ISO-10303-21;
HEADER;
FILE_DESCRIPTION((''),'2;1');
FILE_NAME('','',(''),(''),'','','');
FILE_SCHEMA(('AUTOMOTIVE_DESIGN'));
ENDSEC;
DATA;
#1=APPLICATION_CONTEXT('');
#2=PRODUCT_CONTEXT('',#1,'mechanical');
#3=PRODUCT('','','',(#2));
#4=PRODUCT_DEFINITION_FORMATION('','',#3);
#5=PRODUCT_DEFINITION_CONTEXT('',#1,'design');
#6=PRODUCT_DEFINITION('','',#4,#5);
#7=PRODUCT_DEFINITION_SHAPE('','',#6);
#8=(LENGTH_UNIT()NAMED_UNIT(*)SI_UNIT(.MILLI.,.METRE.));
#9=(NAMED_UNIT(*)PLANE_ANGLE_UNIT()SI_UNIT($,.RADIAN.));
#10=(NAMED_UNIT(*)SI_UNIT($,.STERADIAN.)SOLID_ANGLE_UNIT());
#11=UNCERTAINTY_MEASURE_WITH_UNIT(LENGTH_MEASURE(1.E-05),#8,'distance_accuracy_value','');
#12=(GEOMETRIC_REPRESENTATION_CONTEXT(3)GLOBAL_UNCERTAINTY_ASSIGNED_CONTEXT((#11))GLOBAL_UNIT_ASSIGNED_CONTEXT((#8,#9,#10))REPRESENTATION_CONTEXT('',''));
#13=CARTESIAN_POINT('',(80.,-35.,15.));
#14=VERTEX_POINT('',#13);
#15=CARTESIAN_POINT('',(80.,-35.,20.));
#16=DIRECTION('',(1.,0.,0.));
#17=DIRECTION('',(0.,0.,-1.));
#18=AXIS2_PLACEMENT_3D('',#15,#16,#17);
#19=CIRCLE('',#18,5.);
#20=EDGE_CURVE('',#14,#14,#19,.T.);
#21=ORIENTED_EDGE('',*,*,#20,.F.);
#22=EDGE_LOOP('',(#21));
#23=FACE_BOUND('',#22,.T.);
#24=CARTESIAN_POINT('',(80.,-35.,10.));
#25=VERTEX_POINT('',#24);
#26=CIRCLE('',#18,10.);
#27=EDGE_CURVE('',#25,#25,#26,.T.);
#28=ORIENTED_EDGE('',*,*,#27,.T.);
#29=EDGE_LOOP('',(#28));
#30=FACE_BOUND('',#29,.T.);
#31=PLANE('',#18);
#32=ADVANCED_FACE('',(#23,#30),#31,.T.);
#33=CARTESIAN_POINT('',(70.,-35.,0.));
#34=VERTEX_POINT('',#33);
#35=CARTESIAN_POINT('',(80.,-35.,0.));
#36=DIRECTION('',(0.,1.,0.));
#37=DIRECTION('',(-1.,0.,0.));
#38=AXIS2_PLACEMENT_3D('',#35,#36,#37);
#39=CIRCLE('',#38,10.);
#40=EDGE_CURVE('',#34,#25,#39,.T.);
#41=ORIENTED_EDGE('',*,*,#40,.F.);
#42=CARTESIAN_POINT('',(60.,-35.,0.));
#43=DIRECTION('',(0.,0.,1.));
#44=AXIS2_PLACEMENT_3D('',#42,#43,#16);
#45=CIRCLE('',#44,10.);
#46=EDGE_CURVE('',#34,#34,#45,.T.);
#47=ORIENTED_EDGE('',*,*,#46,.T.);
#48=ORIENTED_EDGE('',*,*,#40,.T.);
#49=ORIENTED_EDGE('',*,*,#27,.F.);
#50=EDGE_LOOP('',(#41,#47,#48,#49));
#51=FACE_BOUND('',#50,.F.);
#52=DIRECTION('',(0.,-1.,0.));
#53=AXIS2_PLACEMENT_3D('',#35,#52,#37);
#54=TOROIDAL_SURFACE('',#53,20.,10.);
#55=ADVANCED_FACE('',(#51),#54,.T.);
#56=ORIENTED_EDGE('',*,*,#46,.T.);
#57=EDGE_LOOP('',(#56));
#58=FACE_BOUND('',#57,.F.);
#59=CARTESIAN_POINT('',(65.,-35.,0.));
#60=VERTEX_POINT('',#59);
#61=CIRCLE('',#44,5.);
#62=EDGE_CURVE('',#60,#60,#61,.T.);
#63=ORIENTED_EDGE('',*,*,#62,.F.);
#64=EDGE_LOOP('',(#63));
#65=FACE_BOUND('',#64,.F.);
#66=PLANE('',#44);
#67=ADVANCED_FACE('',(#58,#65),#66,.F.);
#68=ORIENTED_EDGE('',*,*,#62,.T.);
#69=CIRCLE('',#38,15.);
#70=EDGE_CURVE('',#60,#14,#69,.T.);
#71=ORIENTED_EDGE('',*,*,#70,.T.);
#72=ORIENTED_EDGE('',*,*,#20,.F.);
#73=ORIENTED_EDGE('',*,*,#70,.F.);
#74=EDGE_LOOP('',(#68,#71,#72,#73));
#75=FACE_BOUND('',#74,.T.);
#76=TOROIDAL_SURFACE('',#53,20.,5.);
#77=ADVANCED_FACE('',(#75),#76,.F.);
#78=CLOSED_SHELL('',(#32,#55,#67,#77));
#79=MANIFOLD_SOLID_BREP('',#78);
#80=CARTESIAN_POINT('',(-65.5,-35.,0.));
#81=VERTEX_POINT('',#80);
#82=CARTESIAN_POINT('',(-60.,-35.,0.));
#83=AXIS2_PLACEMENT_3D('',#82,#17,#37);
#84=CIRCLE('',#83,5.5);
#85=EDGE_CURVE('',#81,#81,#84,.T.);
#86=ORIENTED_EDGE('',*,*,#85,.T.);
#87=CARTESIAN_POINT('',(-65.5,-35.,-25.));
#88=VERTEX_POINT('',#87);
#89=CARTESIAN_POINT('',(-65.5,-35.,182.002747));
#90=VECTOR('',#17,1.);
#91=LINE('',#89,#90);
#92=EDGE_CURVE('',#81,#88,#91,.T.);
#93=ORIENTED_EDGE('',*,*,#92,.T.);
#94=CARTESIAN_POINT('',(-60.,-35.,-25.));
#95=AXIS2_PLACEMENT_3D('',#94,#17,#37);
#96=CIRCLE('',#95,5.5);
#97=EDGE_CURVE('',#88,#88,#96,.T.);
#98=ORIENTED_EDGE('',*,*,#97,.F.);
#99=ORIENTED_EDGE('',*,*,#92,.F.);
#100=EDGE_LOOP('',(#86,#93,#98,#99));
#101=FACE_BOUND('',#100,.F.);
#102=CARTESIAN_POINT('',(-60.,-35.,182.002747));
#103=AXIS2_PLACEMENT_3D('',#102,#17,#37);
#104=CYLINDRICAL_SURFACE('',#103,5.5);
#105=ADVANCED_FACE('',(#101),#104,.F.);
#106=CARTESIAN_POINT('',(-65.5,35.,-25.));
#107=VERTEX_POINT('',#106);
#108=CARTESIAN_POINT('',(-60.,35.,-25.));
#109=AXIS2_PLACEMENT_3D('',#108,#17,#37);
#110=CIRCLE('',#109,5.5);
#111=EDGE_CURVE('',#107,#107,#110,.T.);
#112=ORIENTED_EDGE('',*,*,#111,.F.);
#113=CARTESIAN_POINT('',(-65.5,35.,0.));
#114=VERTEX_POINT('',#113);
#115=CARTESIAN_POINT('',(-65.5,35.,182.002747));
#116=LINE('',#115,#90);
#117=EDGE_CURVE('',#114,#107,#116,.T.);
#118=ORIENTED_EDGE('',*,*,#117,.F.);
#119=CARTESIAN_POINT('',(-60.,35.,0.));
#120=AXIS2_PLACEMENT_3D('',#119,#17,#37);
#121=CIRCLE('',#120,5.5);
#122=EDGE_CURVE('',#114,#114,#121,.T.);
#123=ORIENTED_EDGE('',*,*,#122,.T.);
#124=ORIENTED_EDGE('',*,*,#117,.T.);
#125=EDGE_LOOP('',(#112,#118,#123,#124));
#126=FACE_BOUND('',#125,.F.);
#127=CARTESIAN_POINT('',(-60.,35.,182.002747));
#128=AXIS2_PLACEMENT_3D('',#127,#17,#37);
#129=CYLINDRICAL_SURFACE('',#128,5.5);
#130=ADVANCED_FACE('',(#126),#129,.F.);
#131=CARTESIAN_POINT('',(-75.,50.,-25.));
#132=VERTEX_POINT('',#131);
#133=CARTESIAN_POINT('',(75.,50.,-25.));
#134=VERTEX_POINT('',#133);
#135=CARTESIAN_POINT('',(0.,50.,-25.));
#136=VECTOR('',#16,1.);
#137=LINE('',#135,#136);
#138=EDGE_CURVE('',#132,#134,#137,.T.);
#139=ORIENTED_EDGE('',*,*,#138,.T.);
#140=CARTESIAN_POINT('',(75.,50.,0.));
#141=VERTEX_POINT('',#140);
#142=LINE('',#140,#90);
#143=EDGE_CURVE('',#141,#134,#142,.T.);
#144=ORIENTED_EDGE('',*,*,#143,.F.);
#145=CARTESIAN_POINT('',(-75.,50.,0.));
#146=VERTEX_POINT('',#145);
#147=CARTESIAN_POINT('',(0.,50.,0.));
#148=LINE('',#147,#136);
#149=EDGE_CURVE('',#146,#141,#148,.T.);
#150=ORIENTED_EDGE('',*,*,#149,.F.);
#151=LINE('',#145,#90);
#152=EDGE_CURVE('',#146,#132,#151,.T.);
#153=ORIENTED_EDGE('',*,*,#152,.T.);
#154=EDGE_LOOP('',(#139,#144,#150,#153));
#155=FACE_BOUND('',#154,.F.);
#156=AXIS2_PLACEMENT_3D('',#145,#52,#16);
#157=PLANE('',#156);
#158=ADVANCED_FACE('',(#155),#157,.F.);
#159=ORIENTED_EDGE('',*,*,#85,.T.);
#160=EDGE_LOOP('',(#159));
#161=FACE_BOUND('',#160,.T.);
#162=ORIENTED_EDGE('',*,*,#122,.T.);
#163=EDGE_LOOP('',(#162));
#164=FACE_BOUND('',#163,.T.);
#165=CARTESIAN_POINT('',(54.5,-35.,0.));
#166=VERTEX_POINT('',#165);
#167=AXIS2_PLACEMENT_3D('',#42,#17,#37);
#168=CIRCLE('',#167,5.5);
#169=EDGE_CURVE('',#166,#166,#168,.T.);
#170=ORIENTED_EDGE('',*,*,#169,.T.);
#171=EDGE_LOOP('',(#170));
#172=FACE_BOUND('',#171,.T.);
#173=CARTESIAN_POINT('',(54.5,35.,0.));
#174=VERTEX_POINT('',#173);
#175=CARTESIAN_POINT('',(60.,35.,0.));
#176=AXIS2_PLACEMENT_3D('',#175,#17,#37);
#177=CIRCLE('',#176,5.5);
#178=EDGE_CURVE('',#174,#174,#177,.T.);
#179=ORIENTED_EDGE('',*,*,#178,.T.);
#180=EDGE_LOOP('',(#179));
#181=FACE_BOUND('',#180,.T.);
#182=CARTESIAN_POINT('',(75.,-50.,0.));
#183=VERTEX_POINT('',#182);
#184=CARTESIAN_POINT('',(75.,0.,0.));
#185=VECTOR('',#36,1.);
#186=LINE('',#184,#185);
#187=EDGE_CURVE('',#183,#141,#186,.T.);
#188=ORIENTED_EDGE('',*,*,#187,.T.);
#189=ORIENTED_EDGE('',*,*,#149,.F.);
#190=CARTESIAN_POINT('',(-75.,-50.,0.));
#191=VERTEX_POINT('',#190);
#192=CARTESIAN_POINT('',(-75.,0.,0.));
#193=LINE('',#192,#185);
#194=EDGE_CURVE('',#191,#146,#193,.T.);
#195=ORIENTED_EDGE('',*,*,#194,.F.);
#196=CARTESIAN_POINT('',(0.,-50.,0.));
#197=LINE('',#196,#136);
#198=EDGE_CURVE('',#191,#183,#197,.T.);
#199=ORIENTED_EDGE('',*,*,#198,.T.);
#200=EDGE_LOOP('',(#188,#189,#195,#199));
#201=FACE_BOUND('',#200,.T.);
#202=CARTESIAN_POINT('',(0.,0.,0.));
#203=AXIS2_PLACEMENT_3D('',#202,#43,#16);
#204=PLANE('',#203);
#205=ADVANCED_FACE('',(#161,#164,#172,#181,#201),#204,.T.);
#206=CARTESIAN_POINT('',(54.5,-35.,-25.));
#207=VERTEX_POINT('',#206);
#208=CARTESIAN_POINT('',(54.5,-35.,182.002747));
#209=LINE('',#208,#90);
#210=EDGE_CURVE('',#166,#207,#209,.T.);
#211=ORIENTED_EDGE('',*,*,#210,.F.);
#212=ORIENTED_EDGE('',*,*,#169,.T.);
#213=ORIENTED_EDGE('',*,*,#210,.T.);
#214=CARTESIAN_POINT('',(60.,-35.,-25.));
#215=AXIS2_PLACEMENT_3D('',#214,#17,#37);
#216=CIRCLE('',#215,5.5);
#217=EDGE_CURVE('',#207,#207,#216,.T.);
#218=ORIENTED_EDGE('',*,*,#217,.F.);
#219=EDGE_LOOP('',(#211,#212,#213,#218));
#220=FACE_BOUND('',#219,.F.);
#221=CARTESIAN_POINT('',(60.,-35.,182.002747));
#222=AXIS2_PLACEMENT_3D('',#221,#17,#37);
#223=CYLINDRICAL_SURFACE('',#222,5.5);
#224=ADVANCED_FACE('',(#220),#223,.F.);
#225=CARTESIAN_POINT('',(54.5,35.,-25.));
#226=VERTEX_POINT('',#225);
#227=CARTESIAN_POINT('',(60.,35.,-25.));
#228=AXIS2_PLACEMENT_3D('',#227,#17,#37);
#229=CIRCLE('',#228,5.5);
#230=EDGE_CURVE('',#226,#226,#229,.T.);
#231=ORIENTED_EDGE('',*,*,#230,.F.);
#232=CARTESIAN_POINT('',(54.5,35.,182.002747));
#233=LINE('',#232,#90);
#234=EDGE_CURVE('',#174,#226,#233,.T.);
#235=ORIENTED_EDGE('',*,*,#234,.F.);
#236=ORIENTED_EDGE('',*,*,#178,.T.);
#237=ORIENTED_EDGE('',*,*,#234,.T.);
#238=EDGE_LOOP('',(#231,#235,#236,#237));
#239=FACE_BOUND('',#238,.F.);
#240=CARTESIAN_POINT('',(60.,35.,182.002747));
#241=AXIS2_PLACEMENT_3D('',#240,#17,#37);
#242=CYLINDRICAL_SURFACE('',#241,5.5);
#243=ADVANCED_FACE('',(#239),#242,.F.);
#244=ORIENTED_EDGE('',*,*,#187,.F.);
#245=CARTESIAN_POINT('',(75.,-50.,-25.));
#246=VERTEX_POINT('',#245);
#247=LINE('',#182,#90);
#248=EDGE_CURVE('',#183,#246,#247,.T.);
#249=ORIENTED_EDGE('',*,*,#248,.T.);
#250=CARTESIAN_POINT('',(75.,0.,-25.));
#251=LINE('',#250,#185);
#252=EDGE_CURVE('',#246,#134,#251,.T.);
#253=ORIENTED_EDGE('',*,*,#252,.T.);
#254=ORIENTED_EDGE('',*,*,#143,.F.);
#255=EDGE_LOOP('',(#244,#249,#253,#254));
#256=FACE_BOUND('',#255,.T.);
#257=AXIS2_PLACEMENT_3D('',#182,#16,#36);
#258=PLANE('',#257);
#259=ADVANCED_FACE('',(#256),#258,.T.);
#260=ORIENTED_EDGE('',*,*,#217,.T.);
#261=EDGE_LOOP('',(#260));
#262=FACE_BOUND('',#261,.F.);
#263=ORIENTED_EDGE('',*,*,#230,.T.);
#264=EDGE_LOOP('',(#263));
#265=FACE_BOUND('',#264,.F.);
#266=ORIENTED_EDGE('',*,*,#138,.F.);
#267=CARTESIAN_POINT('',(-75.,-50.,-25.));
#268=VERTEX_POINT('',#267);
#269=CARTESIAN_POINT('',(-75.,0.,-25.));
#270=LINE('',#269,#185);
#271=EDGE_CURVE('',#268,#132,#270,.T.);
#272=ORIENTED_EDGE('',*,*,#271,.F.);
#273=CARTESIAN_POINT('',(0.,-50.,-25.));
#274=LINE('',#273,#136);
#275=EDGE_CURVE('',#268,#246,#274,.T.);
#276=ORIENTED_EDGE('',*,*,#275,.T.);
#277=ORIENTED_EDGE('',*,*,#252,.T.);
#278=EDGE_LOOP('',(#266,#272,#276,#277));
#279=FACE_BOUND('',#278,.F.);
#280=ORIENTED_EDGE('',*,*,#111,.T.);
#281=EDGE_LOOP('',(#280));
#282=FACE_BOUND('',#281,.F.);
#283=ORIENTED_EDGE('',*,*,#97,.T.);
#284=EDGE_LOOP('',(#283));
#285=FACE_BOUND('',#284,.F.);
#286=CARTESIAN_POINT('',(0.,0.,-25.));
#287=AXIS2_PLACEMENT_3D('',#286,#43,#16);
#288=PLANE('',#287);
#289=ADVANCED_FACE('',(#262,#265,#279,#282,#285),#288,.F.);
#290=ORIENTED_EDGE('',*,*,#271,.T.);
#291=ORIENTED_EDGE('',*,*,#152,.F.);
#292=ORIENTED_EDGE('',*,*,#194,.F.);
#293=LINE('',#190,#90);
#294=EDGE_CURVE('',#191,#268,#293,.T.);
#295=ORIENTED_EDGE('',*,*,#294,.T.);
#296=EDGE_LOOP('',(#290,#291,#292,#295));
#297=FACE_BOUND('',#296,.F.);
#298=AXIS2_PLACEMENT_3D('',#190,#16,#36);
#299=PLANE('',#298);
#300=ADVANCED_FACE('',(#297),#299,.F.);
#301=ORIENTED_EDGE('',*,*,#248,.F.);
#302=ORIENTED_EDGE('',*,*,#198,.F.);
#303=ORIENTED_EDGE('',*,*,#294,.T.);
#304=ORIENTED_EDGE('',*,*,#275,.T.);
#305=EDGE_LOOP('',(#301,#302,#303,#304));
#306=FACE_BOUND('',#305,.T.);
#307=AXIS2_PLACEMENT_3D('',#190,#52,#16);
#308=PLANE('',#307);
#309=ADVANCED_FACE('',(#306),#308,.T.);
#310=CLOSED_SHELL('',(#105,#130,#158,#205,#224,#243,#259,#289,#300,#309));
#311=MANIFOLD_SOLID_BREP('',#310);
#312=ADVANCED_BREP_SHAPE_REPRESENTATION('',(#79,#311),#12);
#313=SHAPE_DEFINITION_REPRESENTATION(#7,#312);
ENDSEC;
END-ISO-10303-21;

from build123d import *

# Parameters (mm, degrees)
F0_W     = 150
F0_H     = 100
F1_DEPTH = 25
F2_D     = 11
F3_R     = 10
F3_R_2   = 5
F4_ANGLE = 90


with BuildPart() as f1:
    # F0 (on Top) → F1 (new body)
    with BuildSketch(Plane.XY):
        Rectangle(F0_W, F0_H)
    extrude(amount=-F1_DEPTH)

    # F2 (through all)
    with Locations(Plane.XY):
        with Locations((-60, -35), (60, -35), (60, 35), (-60, 35)):
            Hole(F2_D / 2)


with BuildPart() as f4:
    # F3 (on face) → F4 (revolve)
    with BuildSketch(Plane.XY):
        with Locations((60, -35)):
            Circle(F3_R)
        with Locations((60, -35)):
            Circle(F3_R_2, mode=Mode.SUBTRACT)
    revolve(axis=Axis((80, -35.077563487, 0), (0, 1, 0)), revolution_arc=F4_ANGLE)


solid = Compound([f1.part, f4.part])
